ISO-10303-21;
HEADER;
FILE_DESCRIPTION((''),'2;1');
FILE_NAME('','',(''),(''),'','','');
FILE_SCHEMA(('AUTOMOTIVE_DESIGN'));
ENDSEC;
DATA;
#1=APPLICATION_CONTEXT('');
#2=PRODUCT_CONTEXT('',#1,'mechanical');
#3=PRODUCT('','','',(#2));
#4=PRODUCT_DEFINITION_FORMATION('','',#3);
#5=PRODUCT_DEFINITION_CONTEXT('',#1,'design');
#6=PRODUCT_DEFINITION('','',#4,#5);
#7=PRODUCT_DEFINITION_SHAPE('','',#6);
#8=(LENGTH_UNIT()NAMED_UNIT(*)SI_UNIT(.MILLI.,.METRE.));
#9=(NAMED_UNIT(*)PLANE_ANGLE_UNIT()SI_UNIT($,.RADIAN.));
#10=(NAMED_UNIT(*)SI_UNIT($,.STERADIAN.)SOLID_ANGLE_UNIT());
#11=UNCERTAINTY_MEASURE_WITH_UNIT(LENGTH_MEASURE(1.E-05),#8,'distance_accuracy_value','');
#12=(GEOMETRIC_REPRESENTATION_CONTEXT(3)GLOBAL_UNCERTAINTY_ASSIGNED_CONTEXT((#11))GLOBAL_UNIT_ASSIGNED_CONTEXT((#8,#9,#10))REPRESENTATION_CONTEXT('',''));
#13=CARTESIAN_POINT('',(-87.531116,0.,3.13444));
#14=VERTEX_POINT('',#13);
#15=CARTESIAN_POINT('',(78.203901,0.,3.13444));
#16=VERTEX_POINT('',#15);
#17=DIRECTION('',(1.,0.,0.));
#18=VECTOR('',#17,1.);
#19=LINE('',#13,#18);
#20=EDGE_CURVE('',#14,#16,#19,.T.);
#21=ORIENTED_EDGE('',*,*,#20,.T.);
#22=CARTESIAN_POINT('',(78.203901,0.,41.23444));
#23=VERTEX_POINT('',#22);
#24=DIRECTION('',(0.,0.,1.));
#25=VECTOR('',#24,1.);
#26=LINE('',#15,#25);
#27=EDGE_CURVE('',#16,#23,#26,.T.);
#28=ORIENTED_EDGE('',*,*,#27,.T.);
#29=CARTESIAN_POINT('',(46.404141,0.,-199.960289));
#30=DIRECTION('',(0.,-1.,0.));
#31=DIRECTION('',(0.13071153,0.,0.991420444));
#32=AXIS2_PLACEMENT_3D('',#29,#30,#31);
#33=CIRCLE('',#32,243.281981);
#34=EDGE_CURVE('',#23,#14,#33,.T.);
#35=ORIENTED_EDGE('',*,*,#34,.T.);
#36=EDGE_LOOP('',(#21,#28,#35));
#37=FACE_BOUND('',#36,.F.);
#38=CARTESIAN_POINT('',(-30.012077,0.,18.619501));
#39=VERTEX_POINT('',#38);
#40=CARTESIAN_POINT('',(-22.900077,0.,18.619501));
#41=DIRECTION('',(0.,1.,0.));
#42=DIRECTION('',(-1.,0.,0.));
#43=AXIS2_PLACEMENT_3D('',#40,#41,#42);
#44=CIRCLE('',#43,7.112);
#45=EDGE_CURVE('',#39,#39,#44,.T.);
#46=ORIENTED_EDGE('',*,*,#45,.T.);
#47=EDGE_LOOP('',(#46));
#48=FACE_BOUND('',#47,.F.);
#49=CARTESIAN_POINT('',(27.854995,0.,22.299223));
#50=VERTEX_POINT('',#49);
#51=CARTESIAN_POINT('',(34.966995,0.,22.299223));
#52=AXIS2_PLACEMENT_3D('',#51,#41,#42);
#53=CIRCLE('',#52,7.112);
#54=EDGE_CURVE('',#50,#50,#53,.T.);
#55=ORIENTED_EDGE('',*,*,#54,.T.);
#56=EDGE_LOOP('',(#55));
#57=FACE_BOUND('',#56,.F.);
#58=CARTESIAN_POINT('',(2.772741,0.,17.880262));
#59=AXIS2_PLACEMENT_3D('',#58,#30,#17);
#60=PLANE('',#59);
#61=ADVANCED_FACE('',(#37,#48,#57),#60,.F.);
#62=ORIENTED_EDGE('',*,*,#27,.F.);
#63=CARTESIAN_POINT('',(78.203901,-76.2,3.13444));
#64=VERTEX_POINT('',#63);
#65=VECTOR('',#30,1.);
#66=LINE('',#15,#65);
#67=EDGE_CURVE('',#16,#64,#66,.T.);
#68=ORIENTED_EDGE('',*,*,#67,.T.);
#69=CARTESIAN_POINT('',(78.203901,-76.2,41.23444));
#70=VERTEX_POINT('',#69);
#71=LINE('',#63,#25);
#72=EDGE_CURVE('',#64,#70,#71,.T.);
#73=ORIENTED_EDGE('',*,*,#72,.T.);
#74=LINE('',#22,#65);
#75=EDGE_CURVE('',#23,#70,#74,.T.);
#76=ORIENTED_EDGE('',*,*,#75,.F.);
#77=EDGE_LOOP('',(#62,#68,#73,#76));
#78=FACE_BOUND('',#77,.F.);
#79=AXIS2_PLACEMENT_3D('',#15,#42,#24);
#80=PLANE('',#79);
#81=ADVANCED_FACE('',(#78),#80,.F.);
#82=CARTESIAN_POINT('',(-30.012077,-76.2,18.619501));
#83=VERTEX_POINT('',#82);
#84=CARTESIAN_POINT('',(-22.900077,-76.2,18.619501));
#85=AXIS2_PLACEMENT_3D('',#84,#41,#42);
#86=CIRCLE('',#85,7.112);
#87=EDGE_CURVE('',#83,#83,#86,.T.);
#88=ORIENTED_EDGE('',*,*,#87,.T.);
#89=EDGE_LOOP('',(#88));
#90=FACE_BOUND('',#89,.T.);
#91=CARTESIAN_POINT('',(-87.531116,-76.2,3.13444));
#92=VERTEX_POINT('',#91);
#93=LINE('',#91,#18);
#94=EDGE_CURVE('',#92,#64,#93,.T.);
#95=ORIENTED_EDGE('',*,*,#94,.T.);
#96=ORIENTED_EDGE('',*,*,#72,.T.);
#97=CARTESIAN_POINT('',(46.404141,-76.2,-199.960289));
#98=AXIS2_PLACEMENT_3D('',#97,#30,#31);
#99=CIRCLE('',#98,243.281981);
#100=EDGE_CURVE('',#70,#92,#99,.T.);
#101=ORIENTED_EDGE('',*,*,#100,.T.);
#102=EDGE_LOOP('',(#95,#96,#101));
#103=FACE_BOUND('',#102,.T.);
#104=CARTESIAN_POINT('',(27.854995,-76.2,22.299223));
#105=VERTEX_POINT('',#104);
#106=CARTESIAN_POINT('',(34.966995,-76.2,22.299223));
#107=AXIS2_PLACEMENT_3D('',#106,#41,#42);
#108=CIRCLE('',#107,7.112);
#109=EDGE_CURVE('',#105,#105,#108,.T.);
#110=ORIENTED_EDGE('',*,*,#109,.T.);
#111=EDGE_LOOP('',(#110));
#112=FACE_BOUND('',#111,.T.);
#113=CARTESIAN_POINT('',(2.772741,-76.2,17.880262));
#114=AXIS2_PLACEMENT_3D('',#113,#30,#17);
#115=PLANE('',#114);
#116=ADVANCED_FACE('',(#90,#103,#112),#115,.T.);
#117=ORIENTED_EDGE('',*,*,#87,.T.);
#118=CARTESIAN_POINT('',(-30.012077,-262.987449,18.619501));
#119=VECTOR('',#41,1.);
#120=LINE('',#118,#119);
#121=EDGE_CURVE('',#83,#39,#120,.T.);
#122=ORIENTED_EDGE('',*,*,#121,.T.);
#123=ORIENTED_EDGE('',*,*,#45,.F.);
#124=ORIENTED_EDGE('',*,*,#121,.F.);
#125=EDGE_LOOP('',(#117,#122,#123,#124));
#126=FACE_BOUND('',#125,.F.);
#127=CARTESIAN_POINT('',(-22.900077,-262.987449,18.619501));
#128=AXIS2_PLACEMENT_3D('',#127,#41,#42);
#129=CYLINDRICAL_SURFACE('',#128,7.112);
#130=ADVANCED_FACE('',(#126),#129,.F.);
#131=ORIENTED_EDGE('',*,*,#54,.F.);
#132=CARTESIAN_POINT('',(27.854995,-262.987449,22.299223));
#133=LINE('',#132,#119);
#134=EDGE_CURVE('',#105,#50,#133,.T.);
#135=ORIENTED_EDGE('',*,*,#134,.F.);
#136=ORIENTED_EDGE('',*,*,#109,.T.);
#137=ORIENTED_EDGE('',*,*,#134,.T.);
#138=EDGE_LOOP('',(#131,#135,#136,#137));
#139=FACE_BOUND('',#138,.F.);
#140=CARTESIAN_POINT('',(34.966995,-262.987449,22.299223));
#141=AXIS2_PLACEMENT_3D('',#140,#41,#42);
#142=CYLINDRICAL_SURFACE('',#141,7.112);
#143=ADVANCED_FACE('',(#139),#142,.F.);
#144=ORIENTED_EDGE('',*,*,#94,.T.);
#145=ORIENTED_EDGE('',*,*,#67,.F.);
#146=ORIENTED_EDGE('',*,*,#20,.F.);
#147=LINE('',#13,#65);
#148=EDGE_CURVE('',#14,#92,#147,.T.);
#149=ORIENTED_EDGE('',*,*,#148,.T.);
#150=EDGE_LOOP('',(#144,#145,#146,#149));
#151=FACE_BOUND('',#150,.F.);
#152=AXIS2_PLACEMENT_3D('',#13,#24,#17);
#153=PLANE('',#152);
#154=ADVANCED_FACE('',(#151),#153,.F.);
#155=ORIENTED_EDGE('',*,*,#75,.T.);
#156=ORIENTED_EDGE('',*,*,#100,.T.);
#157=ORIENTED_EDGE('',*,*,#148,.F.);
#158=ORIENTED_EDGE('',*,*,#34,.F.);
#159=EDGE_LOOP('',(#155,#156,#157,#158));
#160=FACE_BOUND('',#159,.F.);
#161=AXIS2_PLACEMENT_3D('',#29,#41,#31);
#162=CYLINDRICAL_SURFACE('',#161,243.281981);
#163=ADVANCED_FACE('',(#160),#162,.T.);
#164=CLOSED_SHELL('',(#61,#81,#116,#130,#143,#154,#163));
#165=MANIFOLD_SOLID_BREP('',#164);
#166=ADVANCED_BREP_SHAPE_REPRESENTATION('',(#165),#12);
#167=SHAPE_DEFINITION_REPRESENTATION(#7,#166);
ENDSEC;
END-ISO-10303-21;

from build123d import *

# Parameters (mm, degrees)
F1_DEPTH = 76.2
F3_D     = 14.224


with BuildPart() as f1:
    # F0 (on Front) → F1 (new body)
    with BuildSketch(Plane.XZ):
        with BuildLine():
            ThreePointArc((78.203901, 41.23444), (-8.101064, 37.13738), (-87.531116, 3.13444))
            Line((-87.531116, 3.13444), (78.203901, 3.13444))
            Line((78.203901, 3.13444), (78.203901, 41.23444))
        make_face()
    extrude(amount=F1_DEPTH)

    # F3 (through all)
    with Locations(Plane.XZ.offset(76.2)):
        with Locations((-22.900077, 18.619501), (34.966995, 22.299223)):
            Hole(F3_D / 2)


solid = f1.part
